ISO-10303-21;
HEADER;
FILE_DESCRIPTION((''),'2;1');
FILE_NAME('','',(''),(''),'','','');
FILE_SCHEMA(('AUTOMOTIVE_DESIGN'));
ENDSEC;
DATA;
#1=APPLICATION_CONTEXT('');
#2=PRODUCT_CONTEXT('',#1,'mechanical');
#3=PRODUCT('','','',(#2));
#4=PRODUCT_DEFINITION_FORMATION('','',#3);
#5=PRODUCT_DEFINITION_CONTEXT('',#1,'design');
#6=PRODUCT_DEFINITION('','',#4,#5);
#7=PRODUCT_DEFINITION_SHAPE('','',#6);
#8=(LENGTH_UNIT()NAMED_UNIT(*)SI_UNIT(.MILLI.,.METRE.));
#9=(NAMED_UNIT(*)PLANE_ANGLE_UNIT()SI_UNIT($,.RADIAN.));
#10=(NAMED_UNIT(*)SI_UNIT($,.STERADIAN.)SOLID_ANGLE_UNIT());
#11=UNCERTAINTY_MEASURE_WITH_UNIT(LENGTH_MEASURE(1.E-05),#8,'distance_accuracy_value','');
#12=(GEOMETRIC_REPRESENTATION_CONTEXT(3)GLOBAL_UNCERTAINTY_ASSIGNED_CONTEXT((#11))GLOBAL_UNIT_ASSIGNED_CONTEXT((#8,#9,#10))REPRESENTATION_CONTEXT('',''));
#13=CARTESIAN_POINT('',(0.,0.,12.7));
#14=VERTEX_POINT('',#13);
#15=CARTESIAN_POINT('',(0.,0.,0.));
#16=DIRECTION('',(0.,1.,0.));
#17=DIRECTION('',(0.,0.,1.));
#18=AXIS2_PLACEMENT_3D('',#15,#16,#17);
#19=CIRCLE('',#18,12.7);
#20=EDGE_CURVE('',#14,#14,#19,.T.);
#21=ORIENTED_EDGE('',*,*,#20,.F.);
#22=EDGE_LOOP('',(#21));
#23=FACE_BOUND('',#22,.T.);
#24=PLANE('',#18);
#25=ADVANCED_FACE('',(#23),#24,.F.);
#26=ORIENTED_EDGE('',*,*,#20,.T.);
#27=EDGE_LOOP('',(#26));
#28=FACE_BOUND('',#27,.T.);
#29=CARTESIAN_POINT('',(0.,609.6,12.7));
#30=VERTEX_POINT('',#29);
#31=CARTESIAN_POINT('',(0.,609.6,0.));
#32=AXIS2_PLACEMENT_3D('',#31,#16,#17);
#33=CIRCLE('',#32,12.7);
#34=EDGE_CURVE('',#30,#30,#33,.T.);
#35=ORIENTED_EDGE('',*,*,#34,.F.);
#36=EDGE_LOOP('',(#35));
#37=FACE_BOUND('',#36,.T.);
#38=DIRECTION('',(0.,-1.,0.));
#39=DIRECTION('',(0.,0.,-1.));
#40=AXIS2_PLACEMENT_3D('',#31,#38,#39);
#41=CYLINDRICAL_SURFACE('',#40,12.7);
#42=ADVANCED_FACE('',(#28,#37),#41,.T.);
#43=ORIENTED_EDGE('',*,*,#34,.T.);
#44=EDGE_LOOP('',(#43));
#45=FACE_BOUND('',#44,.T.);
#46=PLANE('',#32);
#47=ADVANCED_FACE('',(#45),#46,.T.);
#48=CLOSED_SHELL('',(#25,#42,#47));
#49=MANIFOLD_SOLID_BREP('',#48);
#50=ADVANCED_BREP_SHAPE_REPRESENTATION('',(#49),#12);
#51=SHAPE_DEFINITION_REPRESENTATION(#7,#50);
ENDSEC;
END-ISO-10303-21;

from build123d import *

# Parameters (mm, degrees)
SKETCH1_R           = 12.7
BOSS_EXTRUDE1_DEPTH = 609.6


with BuildPart() as part:
    # Sketch1 → Boss-Extrude1 (new body)
    with BuildSketch(Plane(origin=(0, 0, 0), x_dir=(1, 0, 0), z_dir=(0, 1, 0))):
        Circle(SKETCH1_R)
    extrude(amount=BOSS_EXTRUDE1_DEPTH)


solid = part.part
